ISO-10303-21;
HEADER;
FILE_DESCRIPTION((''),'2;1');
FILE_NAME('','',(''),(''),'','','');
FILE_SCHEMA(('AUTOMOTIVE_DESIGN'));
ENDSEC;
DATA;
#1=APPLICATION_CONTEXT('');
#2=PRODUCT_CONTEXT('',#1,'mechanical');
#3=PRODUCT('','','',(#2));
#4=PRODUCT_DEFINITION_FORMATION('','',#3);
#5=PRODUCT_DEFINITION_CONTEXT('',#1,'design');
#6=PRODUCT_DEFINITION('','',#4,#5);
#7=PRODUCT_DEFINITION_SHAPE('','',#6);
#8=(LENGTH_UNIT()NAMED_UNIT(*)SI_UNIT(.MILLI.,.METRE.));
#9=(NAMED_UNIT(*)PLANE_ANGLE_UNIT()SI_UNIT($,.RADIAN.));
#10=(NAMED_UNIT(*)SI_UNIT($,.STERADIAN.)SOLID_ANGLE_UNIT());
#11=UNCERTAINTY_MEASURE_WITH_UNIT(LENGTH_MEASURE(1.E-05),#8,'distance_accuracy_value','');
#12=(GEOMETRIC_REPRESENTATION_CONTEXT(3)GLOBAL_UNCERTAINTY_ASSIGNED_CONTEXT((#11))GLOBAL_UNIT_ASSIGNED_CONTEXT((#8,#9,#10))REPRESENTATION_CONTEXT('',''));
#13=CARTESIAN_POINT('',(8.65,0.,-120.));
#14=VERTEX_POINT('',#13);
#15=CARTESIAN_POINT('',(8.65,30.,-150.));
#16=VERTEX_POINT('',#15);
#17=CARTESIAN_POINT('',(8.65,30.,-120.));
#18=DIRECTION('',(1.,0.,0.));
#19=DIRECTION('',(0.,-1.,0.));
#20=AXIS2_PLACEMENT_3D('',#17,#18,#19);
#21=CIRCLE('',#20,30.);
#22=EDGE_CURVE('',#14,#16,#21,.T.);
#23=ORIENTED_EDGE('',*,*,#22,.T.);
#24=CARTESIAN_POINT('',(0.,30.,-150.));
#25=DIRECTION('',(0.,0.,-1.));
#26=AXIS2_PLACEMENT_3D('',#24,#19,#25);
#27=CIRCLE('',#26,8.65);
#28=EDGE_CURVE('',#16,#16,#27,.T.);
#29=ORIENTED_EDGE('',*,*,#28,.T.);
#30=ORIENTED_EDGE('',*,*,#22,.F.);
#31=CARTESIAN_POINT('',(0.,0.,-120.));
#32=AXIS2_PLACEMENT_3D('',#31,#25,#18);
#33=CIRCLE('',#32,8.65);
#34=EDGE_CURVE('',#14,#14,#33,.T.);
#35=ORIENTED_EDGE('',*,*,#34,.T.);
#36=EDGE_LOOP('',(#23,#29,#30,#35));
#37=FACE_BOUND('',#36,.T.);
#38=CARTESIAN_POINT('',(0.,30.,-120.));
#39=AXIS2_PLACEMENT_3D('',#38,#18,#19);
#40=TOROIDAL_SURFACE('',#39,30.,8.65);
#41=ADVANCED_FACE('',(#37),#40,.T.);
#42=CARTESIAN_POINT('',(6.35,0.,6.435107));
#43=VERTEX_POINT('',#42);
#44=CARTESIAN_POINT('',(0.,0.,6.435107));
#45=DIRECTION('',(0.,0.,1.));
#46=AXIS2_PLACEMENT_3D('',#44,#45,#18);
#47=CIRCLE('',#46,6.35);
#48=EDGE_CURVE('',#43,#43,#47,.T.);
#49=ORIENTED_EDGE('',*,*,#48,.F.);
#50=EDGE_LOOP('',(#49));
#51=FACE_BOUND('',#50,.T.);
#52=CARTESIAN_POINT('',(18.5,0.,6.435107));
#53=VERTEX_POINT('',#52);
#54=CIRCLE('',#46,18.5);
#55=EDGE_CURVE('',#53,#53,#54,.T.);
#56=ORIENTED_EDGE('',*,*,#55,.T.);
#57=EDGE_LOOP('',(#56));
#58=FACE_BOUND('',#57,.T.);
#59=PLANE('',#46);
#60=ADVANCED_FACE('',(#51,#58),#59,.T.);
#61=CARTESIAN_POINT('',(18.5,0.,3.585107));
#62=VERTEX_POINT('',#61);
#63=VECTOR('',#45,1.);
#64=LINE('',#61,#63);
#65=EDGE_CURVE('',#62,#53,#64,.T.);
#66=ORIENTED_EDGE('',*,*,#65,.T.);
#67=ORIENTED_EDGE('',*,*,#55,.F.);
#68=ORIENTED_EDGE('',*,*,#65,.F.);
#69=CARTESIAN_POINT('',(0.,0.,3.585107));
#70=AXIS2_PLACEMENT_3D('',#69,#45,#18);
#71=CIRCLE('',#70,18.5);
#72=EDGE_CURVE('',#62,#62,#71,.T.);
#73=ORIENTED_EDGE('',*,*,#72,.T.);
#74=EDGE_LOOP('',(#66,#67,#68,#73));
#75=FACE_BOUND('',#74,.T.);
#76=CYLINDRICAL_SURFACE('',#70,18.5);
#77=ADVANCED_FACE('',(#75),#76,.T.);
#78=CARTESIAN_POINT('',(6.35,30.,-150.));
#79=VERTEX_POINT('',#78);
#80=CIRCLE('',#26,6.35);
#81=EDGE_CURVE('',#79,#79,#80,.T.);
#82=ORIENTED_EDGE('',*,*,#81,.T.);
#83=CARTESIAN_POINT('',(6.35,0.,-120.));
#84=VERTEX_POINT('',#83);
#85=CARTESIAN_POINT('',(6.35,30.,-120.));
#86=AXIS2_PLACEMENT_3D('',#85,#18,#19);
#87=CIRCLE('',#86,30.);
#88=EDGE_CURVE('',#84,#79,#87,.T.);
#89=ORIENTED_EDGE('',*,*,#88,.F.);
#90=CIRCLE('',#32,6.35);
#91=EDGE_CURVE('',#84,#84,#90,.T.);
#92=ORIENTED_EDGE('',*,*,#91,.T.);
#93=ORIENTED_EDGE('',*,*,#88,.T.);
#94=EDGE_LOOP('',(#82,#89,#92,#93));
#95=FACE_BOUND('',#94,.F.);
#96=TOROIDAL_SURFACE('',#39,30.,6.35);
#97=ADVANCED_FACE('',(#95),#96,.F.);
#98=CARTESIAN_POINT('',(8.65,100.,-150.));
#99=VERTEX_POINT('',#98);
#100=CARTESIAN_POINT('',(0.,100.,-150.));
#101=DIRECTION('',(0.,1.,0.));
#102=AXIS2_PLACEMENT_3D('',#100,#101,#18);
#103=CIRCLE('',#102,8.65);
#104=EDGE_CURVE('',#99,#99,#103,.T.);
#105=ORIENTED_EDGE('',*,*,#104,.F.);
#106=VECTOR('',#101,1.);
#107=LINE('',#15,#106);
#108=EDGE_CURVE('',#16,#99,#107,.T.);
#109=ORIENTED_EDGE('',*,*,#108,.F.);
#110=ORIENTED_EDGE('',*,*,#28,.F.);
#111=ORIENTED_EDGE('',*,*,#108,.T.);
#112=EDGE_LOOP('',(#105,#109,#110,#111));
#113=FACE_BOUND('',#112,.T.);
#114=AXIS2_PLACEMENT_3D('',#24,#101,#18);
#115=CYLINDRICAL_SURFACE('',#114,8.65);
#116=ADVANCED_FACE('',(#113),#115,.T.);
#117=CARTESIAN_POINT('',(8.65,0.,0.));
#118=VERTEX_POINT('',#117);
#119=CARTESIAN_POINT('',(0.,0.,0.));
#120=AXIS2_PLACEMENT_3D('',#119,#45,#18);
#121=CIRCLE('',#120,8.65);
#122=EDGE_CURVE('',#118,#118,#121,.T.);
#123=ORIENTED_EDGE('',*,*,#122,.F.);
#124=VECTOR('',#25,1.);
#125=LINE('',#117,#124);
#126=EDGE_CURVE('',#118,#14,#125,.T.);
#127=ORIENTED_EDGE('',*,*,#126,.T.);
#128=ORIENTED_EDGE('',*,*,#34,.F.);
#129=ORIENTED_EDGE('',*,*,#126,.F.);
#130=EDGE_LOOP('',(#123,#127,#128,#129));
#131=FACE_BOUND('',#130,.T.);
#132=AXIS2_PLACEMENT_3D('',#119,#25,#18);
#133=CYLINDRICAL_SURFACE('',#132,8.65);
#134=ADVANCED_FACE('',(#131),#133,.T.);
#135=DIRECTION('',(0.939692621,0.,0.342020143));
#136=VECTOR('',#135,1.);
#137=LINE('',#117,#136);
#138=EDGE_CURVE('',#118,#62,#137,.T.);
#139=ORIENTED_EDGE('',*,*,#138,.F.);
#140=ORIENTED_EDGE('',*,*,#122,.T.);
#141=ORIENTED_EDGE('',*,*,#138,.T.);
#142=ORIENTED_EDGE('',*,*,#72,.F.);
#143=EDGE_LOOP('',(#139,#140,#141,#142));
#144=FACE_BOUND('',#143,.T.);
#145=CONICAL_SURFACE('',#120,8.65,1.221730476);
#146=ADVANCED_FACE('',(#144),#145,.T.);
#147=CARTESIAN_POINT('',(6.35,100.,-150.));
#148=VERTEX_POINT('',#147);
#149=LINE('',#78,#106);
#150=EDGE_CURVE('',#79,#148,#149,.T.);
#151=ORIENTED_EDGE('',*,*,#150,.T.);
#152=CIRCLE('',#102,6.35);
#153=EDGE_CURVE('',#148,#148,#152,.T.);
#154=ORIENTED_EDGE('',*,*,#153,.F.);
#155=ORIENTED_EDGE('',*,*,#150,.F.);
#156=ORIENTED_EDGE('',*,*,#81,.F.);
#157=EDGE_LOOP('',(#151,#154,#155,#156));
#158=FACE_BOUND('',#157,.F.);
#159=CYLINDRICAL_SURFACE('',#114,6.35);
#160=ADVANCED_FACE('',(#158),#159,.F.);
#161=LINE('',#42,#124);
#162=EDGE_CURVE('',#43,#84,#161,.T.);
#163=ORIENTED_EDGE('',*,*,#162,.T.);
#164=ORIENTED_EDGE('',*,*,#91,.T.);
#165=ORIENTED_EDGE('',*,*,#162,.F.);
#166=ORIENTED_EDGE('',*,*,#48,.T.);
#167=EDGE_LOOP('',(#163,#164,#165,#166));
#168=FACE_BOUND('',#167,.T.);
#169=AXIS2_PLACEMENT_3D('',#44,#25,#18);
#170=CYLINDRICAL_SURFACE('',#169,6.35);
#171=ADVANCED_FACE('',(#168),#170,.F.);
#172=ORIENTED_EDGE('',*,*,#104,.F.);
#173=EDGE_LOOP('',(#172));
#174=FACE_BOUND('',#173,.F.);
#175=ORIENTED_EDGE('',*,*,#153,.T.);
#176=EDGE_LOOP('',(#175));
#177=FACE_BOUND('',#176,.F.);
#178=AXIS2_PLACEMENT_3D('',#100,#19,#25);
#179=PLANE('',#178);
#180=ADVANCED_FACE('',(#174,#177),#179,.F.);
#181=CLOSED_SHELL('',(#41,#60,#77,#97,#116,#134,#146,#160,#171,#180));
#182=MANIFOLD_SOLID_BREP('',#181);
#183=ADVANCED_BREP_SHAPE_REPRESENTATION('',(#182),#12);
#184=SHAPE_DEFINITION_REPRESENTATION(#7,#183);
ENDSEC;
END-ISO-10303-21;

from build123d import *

# Parameters (mm, degrees)
F2_R   = 8.65
F2_R_2 = 6.35


with BuildPart() as f1:
    # F0 (on Front) → F1 (revolve)
    with BuildSketch(Plane.XZ):
        Polygon((6.35, 6.4351068075), (6.35, 0), (8.65, 0), (18.5, 3.5851068075), (18.5, 6.4351068075), align=None)
    revolve(axis=Axis((0, 0, 5.6449943222), (0, 0, 1)))

    # F4: sweep along a path in F3
    with BuildLine(Plane.YZ) as f4_path:
        Line((0, 0), (0, -120))
        ThreePointArc((0, -120), (8.7867965644, -141.2132034356), (30, -150))
        Line((30, -150), (100, -150))
    # F2 (on Top) → F4 (sweep)
    with BuildSketch(Plane.XY):
        Circle(F2_R)
        Circle(F2_R_2, mode=Mode.SUBTRACT)
    sweep(path=f4_path.line)


solid = f1.part
